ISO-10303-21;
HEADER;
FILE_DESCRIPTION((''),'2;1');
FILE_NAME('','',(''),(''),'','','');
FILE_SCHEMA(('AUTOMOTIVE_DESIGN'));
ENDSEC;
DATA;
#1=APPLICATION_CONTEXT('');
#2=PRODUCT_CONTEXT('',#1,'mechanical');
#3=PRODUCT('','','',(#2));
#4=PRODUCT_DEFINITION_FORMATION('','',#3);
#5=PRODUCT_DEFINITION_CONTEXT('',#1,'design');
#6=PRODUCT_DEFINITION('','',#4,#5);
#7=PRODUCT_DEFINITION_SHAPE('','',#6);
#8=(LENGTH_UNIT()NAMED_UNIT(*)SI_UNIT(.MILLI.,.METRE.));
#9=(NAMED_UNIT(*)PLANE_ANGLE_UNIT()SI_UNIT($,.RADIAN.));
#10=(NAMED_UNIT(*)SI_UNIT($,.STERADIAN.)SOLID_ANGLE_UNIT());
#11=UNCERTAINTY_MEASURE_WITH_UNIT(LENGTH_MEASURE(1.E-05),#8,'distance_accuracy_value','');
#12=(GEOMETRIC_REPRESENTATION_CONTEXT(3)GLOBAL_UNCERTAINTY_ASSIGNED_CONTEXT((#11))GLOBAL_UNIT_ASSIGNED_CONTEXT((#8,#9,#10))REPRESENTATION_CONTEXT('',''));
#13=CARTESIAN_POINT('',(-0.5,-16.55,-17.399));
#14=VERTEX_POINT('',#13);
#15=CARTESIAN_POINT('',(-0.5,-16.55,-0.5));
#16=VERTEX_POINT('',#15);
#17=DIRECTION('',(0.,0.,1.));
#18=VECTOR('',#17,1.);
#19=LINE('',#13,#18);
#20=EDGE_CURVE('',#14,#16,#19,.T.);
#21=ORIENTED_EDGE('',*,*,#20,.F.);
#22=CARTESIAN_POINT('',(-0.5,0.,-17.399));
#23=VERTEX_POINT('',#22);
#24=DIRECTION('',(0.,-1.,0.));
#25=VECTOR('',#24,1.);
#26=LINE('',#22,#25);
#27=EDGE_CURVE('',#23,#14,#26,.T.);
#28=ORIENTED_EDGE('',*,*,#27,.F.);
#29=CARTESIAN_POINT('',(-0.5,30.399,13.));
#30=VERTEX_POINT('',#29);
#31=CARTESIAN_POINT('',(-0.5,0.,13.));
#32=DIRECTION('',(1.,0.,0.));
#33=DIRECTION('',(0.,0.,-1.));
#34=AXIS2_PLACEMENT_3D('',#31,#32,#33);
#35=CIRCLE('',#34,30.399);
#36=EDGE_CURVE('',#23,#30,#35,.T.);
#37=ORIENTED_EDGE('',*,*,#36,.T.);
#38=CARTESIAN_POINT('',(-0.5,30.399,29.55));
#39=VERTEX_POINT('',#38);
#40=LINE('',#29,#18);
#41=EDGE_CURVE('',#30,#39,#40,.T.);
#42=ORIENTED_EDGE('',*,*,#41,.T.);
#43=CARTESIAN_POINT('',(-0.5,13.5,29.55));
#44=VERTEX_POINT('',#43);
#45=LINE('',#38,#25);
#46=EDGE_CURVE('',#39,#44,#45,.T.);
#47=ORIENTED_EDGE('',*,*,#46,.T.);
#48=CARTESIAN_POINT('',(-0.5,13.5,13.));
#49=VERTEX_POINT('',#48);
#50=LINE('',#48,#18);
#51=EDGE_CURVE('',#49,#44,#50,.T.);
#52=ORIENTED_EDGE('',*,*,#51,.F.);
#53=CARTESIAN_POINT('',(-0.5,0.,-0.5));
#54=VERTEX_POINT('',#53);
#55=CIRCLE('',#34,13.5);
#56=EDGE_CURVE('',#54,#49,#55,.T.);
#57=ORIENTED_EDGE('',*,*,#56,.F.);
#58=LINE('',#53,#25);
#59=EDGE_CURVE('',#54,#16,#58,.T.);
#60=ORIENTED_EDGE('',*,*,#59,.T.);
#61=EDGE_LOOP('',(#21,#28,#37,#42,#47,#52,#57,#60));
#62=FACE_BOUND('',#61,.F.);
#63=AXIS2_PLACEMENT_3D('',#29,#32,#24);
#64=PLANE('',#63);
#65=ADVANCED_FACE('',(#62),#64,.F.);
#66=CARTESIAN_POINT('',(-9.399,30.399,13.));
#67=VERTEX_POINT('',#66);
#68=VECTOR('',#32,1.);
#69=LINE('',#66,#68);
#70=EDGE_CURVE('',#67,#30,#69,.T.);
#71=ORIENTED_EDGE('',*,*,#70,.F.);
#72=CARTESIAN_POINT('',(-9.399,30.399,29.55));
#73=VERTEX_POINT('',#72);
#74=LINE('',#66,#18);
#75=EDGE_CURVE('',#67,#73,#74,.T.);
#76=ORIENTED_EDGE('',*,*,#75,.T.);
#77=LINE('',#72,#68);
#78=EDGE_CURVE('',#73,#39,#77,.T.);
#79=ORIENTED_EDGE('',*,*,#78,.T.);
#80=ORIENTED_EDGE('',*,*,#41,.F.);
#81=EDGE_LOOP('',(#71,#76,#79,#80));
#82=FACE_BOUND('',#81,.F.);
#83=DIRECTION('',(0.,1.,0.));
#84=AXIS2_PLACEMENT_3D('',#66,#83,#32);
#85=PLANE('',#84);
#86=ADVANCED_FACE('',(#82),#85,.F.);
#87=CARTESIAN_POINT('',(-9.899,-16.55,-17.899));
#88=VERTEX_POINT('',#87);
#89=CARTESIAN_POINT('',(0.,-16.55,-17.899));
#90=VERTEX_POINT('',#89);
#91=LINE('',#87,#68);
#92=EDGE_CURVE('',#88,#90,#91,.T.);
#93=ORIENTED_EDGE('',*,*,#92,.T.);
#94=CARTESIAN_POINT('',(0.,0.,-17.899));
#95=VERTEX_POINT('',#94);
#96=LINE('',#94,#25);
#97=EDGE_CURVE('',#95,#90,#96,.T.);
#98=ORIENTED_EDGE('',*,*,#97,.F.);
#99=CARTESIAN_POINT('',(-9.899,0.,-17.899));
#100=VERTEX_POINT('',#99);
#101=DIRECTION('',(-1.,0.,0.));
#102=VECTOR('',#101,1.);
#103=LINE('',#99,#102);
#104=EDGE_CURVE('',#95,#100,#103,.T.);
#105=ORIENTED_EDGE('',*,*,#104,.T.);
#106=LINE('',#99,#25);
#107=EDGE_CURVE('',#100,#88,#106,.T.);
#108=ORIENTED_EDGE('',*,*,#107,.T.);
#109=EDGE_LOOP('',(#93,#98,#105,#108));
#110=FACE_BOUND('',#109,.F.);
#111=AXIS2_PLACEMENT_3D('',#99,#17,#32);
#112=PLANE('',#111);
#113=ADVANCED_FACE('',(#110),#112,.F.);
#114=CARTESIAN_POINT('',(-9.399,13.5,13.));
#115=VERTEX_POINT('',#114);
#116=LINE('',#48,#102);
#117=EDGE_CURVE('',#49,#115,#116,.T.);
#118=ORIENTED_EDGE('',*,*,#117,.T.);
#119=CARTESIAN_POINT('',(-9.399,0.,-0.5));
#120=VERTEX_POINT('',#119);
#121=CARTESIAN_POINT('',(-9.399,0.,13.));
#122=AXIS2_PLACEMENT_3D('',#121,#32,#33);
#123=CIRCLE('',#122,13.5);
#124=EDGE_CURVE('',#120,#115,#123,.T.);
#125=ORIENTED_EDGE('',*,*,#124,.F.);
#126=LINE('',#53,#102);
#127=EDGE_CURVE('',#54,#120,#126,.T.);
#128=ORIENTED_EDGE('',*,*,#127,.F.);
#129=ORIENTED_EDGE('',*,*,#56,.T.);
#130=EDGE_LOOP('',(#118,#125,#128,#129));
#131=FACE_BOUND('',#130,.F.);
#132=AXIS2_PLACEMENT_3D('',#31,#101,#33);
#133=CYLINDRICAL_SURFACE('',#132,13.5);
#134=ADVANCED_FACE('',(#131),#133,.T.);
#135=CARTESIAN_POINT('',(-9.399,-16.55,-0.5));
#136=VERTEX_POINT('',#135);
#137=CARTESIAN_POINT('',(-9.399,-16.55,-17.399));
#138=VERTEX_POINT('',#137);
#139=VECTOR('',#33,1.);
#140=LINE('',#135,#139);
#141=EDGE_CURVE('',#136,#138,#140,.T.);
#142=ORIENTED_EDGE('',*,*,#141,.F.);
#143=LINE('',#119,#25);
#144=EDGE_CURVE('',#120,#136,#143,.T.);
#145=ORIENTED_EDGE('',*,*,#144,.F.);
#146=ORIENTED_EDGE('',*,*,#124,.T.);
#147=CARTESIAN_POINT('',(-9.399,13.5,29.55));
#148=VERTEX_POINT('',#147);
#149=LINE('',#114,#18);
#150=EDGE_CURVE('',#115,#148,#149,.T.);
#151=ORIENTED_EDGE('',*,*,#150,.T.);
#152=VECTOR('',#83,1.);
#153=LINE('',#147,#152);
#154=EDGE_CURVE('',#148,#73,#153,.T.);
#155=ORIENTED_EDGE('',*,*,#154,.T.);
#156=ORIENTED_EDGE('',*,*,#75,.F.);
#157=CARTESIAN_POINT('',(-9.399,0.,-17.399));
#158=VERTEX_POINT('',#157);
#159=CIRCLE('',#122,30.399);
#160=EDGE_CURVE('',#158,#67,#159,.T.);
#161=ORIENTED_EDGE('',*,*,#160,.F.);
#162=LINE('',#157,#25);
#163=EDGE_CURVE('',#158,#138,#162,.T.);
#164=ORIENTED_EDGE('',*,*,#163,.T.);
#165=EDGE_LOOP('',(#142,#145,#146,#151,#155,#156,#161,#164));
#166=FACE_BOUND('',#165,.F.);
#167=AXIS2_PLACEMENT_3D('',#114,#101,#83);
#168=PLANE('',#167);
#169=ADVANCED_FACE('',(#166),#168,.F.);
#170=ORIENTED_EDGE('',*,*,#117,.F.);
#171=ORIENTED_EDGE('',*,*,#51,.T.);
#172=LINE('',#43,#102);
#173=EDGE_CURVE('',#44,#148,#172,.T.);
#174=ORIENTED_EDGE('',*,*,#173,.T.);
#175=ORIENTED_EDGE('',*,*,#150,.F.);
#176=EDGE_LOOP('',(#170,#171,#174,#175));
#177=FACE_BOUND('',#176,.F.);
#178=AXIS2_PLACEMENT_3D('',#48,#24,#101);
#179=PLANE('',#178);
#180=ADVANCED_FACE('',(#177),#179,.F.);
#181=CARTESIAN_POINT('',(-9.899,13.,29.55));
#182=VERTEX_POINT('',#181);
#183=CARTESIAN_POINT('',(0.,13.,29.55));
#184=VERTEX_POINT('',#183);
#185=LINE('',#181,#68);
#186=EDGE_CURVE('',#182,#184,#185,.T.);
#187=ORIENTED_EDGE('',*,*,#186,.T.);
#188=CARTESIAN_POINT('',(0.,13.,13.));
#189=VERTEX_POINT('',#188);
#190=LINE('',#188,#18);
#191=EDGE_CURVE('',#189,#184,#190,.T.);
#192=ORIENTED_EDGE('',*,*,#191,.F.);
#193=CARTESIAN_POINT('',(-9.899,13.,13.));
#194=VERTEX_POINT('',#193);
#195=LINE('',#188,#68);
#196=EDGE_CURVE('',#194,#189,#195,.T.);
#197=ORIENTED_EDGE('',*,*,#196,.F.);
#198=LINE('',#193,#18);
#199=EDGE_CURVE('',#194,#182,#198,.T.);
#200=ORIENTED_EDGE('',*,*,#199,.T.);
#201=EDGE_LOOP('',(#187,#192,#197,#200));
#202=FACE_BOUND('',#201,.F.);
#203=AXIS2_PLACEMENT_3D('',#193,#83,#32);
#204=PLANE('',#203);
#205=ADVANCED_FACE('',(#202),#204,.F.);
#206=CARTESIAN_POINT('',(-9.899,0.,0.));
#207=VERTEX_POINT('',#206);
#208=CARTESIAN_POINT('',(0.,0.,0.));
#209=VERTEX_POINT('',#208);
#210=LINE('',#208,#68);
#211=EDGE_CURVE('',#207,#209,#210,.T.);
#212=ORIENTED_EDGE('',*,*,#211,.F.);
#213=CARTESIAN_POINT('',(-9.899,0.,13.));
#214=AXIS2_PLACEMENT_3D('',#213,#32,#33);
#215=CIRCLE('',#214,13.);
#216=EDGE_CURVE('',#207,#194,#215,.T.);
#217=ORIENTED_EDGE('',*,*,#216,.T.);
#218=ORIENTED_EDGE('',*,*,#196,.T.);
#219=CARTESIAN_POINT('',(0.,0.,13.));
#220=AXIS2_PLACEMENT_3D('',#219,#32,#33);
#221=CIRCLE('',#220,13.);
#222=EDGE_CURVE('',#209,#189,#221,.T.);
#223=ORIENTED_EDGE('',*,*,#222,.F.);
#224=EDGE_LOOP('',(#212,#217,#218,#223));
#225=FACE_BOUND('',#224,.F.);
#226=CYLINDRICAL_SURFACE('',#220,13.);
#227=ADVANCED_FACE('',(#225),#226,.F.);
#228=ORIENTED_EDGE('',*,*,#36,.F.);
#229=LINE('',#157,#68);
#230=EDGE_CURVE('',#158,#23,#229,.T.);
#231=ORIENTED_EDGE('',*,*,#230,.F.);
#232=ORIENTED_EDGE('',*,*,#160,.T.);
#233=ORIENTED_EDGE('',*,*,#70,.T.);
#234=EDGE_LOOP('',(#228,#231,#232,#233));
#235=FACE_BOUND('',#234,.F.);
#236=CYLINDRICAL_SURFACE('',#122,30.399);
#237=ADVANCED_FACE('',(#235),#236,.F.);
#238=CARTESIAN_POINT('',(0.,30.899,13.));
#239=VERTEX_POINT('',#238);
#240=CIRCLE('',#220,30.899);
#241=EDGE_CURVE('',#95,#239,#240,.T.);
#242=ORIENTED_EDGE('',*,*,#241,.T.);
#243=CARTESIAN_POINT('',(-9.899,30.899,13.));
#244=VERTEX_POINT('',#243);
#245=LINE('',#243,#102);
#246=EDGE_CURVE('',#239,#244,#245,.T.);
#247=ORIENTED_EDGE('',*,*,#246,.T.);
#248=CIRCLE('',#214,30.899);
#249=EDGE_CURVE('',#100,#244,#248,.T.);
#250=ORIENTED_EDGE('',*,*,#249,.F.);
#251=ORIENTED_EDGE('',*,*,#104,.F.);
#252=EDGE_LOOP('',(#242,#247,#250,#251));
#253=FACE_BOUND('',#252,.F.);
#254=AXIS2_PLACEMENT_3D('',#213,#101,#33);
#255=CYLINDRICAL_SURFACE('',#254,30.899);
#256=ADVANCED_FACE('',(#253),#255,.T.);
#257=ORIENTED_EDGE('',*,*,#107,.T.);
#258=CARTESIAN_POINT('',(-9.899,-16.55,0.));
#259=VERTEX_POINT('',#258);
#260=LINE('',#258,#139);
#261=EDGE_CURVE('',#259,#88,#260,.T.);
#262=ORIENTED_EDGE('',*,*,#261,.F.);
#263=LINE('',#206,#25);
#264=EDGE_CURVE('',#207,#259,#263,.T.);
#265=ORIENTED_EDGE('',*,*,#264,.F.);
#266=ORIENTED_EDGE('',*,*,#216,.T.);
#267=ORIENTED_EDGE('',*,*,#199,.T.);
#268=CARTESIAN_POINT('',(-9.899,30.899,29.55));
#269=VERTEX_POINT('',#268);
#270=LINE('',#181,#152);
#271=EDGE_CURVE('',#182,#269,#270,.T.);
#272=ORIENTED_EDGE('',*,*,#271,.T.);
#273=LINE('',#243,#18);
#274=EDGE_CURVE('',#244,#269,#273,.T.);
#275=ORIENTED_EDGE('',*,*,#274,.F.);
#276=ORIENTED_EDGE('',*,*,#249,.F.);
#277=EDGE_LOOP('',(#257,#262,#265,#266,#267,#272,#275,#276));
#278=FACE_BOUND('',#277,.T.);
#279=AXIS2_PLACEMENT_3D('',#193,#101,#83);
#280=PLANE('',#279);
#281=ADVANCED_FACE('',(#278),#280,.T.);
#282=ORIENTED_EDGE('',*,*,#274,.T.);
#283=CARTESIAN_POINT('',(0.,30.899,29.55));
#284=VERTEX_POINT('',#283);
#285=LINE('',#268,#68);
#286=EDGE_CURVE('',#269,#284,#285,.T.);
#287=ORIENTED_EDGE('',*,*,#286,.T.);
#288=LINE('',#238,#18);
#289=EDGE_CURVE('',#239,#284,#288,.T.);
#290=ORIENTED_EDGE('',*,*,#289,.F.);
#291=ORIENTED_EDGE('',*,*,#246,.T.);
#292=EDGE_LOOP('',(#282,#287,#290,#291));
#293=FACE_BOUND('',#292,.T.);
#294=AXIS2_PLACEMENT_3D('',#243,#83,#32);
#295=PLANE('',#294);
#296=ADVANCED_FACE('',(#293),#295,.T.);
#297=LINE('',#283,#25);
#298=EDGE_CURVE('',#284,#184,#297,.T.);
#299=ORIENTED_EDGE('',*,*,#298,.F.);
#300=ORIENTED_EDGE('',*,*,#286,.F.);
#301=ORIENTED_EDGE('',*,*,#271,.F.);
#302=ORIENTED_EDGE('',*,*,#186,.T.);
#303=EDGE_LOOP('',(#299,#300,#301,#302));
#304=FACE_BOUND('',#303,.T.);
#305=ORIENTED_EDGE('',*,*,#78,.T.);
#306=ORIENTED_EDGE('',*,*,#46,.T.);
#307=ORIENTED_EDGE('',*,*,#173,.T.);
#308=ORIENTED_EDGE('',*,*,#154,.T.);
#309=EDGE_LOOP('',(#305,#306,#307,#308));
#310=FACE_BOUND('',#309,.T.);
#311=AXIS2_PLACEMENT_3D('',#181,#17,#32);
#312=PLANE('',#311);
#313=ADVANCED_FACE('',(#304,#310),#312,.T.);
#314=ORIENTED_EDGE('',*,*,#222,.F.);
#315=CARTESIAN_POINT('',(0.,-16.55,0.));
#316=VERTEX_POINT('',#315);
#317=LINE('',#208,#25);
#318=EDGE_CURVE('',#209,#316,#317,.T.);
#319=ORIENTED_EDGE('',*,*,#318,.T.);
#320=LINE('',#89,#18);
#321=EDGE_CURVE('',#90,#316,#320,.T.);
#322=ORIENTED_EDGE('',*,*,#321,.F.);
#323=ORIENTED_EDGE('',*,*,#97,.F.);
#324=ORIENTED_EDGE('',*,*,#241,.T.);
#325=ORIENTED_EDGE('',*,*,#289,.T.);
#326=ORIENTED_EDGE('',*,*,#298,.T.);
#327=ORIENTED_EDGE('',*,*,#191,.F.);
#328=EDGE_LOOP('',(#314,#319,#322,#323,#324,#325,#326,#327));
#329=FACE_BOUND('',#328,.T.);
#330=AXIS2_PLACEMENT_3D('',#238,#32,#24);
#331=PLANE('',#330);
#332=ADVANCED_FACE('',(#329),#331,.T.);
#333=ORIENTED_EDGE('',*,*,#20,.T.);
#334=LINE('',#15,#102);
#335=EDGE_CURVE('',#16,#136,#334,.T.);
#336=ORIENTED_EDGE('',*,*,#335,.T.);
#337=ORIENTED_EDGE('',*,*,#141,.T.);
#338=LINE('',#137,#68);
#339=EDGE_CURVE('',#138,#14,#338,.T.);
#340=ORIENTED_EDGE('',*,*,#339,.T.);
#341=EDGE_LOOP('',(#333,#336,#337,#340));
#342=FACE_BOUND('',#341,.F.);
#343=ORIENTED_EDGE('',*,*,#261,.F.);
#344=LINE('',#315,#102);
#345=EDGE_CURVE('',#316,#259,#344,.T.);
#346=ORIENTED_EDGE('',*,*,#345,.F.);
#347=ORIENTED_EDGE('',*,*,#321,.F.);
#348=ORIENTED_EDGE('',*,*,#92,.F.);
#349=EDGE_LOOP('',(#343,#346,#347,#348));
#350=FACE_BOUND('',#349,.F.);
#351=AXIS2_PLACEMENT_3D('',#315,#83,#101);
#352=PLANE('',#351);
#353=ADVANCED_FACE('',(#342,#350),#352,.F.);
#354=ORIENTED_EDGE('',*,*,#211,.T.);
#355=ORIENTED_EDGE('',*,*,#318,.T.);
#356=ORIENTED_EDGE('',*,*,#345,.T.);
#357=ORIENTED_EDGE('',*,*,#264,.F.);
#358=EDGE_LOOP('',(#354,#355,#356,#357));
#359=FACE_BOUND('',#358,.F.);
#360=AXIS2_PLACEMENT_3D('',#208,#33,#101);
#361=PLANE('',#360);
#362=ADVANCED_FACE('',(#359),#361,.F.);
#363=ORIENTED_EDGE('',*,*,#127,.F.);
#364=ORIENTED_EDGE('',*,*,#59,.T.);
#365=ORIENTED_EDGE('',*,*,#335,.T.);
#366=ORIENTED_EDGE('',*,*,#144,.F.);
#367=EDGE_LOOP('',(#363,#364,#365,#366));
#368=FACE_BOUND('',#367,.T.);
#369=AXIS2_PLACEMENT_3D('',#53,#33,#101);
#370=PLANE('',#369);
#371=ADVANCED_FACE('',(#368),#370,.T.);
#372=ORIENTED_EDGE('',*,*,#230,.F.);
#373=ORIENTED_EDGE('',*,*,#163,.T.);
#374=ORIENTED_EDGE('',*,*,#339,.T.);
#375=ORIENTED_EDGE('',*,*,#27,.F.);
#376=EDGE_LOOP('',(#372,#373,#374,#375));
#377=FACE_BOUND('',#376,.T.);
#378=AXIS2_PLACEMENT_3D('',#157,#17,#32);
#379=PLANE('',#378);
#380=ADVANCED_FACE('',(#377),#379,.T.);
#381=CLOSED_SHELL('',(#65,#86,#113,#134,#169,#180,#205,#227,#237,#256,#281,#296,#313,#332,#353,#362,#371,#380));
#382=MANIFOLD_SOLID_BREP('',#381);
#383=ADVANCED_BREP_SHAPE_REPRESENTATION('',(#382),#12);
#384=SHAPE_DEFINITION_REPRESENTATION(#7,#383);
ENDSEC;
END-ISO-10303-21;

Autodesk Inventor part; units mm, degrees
ref_plane "YZ Plane" through (0, 0, 0) normal (1, 0, 0) x (0, 1, 0)
ref_plane "XZ Plane" through (0, 0, 0) normal (0, 1, 0) x (-1, 0, 0)
ref_plane "XY Plane" through (0, 0, 0) normal (0, 0, 1) x (1, 0, 0)
sketch "Sketch1" plane through (0, 0, 0) normal (0, 1, 0) x (-1, 0, 0)
  line L0 (0, 0) -> (9.899, 0)
  line L1 (9.899, 0) -> (9.899, -17.899)
  line L2 (9.899, -17.899) -> (0, -17.899)
  line L3 (0, -17.899) -> (0, 0)
  line L4 (0.5, -0.5) -> (9.399, -0.5)
  line L5 (9.399, -0.5) -> (9.399, -17.399)
  line L6 (9.399, -17.399) -> (0.5, -17.399)
  line L7 (0.5, -17.399) -> (0.5, -0.5)
  dimension "d0" = 9.899
  dimension "d1" = 17.899
  dimension "d2" = 16.899
  dimension "d3" = 8.899
  dimension "d4" = 0.5
  dimension "d5" = 0.5
sketch "Sketch3" plane through (0, 0, 0) normal (1, 0, 0) x (0, 1, 0)
  arc A0 (0, 0) -> (13, 13) centre (0, 13) ccw
  line L0 (0, 13) -> (13, 13) construction
  line L1 (0, 13) -> (0, 0) construction
  dimension "d6" = 90
  dimension "d7" = 13
sweep "Sweep1" add profiles "Sketch1" path "Sketch3"
extrude "Extrusion1" add sketch "Sketch1" against normal blind 16.55
ref_plane "Work Plane1" through (-9.899, 13, 13) normal (0, 0, 1) x (1, 0, 0)
sketch "Sketch4" plane through (-9.899, 13, 13) normal (0, 0, 1) x (1, 0, 0)
  line L0 (0, 0) -> (9.899, 0)
  line L1 (0, 0) -> (0, 17.899)
  line L2 (0, 17.899) -> (9.899, 17.899)
  line L3 (9.899, 17.899) -> (9.899, 0)
  line L4 (0.5, 17.399) -> (9.399, 17.399)
  line L5 (9.399, 17.399) -> (9.399, 0.5)
  line L6 (9.399, 0.5) -> (0.5, 0.5)
  line L7 (9.399, 0.5) -> (0.5, 0.5) projected
  line L8 (0.5, 0.5) -> (0.5, 17.399)
extrude "Extrusion2" add sketch "Sketch4" along normal blind 16.55
properties part number "curved waveguide"
